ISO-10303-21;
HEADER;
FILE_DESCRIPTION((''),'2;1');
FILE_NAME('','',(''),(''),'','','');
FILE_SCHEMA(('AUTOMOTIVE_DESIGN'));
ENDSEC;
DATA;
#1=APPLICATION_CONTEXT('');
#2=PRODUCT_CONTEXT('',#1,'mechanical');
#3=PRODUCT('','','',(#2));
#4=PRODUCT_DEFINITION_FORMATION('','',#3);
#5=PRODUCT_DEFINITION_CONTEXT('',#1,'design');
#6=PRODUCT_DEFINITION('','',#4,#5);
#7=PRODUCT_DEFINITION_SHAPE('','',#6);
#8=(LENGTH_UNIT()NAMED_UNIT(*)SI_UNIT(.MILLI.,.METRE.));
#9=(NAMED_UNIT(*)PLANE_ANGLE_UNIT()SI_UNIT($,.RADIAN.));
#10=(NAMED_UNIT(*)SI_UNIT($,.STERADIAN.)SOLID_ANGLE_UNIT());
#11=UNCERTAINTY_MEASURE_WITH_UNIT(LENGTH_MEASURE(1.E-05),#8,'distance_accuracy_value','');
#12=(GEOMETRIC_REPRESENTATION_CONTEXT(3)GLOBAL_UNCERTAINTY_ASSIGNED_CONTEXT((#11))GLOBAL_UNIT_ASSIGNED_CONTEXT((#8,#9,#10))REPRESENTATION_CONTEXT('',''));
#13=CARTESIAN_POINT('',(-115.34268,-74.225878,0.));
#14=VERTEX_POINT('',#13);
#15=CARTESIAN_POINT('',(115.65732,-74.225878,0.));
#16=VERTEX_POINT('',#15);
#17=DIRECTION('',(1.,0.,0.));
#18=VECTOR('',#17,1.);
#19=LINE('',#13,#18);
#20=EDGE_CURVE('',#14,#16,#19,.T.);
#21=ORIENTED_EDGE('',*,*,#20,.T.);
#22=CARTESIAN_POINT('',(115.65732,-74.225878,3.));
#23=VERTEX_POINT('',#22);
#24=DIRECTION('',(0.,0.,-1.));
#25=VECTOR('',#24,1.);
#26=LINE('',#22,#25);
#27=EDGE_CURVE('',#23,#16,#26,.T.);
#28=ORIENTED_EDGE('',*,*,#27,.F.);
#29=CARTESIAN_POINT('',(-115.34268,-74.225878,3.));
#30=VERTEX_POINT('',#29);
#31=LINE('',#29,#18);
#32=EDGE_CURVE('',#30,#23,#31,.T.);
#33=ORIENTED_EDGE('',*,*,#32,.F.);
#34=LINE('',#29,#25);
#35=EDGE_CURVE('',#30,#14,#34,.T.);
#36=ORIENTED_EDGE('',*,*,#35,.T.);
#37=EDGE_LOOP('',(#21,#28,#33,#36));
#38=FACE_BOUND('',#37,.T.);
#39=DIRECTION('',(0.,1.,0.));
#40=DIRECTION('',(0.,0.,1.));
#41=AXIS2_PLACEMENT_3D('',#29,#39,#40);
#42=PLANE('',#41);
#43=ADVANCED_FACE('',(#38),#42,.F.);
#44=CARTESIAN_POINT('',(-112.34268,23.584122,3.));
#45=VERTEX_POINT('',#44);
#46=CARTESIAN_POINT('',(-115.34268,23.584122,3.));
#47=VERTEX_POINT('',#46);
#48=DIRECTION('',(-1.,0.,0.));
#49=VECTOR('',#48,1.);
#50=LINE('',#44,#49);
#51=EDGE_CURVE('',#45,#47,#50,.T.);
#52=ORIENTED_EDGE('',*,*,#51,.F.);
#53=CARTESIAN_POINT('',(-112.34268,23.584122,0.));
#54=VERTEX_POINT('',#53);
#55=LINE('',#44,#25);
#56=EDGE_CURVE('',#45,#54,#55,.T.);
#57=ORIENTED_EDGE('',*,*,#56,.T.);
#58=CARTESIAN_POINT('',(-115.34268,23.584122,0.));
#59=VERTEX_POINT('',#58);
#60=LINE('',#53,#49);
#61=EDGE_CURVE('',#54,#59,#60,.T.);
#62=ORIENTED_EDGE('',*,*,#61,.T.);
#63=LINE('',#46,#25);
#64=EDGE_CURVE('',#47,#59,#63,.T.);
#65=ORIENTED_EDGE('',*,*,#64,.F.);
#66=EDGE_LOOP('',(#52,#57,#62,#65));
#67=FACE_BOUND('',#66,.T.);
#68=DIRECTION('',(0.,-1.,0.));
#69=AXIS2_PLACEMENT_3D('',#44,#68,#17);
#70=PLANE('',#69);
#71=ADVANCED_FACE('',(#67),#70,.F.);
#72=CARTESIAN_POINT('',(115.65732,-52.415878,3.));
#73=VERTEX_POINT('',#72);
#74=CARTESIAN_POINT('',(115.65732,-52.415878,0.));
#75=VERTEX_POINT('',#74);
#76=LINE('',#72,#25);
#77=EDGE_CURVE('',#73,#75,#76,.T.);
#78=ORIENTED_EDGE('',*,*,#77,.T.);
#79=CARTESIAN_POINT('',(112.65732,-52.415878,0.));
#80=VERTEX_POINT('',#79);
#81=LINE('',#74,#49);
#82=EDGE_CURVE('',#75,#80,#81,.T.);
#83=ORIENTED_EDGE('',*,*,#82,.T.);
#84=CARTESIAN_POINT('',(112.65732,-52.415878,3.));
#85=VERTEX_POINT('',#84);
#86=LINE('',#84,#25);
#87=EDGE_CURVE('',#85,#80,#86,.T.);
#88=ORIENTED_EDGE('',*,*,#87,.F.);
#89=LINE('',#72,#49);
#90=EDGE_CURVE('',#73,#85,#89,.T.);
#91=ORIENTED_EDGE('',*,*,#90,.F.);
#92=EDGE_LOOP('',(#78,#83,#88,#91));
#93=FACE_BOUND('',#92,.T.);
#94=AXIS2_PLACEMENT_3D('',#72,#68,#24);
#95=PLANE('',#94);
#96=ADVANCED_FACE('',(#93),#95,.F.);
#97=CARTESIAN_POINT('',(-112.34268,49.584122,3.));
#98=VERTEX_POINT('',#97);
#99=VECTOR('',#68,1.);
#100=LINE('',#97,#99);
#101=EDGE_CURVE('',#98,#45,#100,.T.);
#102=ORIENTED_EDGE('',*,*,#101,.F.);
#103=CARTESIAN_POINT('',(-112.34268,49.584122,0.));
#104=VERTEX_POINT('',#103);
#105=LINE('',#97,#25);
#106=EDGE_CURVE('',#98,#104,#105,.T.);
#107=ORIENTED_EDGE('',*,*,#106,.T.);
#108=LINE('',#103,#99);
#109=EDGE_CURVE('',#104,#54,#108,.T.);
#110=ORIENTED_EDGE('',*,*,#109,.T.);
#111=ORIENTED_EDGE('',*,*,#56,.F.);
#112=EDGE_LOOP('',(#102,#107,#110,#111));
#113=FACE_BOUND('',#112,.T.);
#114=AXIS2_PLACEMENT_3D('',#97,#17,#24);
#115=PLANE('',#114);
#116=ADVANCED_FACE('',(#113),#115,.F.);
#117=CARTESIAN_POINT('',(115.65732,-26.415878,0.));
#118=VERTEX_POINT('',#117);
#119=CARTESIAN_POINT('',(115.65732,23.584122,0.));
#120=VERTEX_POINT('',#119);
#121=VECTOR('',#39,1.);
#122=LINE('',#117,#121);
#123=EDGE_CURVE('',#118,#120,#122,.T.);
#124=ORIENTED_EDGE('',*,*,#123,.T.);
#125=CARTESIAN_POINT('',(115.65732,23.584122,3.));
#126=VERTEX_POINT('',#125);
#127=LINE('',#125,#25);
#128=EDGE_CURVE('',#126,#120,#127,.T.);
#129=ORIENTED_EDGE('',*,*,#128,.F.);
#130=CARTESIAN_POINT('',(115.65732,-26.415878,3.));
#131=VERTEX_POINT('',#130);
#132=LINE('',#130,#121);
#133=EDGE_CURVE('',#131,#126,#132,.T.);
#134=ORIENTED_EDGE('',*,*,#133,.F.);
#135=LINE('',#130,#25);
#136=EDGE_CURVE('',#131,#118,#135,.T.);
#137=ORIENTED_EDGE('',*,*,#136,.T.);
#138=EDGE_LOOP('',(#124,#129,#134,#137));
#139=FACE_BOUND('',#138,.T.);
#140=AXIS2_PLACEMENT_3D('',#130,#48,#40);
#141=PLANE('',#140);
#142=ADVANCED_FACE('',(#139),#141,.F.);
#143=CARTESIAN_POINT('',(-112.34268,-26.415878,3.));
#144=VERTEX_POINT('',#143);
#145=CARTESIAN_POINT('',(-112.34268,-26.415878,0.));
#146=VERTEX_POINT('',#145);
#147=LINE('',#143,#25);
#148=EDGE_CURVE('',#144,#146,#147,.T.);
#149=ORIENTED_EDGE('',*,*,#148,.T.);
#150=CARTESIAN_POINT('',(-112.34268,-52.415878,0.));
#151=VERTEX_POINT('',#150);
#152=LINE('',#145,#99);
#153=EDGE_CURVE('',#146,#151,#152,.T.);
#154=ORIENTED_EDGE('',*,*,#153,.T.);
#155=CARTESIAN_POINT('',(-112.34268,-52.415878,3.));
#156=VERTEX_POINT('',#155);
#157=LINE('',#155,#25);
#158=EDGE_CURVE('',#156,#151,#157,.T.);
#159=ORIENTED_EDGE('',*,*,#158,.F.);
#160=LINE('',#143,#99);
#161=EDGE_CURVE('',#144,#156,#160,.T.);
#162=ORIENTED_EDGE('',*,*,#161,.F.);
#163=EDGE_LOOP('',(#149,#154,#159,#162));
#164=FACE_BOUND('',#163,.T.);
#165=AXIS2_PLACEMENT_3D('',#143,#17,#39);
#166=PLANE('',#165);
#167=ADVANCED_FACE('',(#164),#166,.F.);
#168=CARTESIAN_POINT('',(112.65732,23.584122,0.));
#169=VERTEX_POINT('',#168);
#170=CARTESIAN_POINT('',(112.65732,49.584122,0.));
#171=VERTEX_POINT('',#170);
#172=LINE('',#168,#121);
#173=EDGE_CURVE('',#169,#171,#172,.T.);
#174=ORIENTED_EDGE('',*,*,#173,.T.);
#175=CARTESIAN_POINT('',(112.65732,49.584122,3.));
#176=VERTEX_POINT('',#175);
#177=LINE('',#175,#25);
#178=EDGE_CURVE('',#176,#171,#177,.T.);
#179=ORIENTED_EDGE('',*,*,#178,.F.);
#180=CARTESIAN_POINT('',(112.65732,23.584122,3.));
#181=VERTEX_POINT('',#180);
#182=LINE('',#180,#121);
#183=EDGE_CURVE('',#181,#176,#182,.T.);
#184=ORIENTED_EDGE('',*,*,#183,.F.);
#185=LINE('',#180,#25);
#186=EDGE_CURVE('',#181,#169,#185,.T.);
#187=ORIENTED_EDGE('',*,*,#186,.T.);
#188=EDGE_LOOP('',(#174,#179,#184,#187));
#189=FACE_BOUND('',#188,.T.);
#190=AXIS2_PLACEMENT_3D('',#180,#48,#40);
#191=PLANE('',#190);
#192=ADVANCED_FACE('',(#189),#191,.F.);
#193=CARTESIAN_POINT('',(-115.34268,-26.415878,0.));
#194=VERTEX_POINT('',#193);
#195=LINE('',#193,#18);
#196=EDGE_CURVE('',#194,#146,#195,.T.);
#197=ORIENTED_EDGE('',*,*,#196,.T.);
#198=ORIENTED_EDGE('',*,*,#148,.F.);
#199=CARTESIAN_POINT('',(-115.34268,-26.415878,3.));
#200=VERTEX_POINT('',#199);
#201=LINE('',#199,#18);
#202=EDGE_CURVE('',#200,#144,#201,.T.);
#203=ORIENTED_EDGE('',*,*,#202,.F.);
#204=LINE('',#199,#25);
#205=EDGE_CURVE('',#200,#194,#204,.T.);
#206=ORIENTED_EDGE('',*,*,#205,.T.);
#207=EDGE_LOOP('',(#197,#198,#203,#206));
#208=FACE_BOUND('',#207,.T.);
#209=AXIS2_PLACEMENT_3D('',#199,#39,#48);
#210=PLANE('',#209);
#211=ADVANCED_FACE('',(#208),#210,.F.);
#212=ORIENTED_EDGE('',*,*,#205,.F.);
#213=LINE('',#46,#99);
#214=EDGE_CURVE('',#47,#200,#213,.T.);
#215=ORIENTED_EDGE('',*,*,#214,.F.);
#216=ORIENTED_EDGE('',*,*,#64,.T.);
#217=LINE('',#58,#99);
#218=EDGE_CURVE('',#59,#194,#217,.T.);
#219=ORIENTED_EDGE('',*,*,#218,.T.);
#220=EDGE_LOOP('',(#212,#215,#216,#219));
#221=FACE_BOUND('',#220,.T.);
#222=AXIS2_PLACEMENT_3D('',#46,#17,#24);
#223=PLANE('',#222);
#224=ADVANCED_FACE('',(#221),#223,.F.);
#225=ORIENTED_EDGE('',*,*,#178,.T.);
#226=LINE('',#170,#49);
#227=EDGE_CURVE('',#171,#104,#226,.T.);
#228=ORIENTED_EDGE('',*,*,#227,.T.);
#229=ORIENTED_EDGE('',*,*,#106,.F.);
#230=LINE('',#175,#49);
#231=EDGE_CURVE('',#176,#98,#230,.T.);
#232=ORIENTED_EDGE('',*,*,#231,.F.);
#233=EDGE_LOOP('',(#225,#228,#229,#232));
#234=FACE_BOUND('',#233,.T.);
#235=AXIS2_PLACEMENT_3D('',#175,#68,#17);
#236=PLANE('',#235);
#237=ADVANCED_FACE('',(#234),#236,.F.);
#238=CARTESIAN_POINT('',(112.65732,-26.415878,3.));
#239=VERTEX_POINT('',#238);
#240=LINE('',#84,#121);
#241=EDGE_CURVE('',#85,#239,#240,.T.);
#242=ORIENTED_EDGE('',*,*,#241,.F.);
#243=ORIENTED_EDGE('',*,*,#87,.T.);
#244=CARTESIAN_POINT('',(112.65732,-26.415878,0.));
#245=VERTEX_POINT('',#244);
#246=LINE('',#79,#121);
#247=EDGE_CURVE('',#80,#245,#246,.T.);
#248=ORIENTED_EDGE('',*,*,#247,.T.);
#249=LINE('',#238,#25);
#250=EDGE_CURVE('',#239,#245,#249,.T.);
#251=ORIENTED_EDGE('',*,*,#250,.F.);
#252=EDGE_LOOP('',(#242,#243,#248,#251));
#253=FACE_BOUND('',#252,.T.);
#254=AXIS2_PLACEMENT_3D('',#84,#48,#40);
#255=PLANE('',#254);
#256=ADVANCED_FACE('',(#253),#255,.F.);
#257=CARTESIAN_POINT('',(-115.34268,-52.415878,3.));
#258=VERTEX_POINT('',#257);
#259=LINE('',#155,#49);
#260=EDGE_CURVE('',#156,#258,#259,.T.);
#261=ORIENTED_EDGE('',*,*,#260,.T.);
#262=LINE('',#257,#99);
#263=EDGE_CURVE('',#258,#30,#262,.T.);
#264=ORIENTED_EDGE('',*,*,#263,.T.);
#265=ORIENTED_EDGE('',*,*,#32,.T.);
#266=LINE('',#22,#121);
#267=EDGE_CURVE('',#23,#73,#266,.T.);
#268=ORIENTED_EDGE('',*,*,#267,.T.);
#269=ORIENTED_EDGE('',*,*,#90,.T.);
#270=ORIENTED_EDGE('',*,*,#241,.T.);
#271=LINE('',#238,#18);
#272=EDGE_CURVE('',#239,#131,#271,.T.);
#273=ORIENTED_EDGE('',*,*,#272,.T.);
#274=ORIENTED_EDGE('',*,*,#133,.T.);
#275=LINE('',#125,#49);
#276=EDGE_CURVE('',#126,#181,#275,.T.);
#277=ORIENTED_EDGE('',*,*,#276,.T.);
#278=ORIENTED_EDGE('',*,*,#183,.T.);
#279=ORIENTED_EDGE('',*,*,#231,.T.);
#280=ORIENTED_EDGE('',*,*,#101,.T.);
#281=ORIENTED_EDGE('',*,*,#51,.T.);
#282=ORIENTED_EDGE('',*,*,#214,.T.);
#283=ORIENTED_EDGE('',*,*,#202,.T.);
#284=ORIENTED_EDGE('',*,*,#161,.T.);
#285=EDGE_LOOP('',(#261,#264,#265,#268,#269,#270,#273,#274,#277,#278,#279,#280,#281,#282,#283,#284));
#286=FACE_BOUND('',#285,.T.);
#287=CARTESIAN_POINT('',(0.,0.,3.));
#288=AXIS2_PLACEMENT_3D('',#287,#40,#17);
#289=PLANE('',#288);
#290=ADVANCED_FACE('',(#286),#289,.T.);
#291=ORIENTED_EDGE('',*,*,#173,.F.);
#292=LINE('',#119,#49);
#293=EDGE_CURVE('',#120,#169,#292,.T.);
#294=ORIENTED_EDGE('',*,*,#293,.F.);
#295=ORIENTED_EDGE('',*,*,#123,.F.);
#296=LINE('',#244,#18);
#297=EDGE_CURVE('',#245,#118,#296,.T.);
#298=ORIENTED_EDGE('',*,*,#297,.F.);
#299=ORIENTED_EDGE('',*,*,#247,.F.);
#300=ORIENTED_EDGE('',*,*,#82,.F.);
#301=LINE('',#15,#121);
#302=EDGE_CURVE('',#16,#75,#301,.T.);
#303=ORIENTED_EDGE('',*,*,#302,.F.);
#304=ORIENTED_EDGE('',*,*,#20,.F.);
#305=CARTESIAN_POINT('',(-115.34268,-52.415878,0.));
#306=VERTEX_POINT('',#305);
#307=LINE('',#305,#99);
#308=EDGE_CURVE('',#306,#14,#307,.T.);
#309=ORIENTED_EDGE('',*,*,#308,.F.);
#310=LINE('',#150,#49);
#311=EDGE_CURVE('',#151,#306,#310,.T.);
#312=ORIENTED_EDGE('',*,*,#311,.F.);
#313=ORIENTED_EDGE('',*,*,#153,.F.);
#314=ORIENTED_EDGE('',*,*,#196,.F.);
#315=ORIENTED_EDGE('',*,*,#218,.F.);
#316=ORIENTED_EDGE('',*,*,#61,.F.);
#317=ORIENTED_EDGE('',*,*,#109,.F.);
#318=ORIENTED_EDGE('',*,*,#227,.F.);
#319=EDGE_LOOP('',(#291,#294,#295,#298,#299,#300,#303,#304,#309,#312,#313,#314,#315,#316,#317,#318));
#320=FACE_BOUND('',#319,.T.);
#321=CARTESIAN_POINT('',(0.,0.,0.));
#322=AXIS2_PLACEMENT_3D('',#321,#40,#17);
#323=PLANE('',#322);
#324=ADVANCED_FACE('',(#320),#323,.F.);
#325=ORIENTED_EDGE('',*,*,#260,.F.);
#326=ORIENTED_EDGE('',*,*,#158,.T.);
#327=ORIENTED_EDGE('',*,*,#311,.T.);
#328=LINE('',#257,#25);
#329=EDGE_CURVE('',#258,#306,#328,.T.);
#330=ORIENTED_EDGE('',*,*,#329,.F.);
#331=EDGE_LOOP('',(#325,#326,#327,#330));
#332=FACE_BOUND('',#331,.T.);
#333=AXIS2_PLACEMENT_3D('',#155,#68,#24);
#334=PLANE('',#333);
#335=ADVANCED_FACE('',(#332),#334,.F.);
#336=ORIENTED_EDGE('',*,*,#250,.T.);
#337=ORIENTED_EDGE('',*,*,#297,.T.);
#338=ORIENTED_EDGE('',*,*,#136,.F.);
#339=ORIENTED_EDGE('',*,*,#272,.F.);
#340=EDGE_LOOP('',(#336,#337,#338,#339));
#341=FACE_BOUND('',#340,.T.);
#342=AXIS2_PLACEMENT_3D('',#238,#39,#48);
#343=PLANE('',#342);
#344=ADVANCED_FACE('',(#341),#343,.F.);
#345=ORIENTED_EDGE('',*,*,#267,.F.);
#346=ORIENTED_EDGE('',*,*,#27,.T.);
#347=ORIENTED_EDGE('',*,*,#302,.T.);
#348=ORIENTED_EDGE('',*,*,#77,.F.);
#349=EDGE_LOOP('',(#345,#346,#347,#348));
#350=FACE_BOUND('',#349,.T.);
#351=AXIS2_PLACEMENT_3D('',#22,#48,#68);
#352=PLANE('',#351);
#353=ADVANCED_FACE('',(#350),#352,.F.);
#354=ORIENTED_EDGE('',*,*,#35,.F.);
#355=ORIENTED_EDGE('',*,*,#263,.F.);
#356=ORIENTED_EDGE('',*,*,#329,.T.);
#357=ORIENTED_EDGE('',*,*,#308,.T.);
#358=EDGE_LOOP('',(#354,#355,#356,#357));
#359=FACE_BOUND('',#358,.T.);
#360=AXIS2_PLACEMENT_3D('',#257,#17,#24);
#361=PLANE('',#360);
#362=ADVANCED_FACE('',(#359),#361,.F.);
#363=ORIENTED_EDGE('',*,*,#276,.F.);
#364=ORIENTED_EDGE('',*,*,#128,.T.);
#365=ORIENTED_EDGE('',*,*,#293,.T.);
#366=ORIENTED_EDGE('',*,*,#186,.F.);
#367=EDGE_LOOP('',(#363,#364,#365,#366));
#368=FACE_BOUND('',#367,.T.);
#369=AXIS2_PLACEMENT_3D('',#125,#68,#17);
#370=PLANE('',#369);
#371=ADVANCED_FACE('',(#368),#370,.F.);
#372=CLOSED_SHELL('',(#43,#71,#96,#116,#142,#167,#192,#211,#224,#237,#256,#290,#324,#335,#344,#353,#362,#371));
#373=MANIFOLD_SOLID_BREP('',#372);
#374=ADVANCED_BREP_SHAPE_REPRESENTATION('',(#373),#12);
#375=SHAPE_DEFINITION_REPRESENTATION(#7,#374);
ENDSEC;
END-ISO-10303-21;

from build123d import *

# Parameters (mm, degrees)
BOSS_EXTRUDE1_DEPTH = 3


with BuildPart() as part:
    # Sketch1 → Boss-Extrude1 (new body)
    with BuildSketch(Plane.XY):
        Polygon((-112.34268018, 49.584121622), (-112.34268018, 23.584121622), (-115.34268018, 23.584121622), (-115.34268018, -26.415878378), (-112.34268018, -26.415878378), (-112.34268018, -52.415878378), (-115.34268018, -52.415878378), (-115.34268018, -74.225878378), (115.65731982, -74.225878378), (115.65731982, -52.415878378), (112.65731982, -52.415878378), (112.65731982, -26.415878378), (115.65731982, -26.415878378), (115.65731982, 23.584121622), (112.65731982, 23.584121622), (112.65731982, 49.584121622), align=None)
    extrude(amount=BOSS_EXTRUDE1_DEPTH)


solid = part.part
